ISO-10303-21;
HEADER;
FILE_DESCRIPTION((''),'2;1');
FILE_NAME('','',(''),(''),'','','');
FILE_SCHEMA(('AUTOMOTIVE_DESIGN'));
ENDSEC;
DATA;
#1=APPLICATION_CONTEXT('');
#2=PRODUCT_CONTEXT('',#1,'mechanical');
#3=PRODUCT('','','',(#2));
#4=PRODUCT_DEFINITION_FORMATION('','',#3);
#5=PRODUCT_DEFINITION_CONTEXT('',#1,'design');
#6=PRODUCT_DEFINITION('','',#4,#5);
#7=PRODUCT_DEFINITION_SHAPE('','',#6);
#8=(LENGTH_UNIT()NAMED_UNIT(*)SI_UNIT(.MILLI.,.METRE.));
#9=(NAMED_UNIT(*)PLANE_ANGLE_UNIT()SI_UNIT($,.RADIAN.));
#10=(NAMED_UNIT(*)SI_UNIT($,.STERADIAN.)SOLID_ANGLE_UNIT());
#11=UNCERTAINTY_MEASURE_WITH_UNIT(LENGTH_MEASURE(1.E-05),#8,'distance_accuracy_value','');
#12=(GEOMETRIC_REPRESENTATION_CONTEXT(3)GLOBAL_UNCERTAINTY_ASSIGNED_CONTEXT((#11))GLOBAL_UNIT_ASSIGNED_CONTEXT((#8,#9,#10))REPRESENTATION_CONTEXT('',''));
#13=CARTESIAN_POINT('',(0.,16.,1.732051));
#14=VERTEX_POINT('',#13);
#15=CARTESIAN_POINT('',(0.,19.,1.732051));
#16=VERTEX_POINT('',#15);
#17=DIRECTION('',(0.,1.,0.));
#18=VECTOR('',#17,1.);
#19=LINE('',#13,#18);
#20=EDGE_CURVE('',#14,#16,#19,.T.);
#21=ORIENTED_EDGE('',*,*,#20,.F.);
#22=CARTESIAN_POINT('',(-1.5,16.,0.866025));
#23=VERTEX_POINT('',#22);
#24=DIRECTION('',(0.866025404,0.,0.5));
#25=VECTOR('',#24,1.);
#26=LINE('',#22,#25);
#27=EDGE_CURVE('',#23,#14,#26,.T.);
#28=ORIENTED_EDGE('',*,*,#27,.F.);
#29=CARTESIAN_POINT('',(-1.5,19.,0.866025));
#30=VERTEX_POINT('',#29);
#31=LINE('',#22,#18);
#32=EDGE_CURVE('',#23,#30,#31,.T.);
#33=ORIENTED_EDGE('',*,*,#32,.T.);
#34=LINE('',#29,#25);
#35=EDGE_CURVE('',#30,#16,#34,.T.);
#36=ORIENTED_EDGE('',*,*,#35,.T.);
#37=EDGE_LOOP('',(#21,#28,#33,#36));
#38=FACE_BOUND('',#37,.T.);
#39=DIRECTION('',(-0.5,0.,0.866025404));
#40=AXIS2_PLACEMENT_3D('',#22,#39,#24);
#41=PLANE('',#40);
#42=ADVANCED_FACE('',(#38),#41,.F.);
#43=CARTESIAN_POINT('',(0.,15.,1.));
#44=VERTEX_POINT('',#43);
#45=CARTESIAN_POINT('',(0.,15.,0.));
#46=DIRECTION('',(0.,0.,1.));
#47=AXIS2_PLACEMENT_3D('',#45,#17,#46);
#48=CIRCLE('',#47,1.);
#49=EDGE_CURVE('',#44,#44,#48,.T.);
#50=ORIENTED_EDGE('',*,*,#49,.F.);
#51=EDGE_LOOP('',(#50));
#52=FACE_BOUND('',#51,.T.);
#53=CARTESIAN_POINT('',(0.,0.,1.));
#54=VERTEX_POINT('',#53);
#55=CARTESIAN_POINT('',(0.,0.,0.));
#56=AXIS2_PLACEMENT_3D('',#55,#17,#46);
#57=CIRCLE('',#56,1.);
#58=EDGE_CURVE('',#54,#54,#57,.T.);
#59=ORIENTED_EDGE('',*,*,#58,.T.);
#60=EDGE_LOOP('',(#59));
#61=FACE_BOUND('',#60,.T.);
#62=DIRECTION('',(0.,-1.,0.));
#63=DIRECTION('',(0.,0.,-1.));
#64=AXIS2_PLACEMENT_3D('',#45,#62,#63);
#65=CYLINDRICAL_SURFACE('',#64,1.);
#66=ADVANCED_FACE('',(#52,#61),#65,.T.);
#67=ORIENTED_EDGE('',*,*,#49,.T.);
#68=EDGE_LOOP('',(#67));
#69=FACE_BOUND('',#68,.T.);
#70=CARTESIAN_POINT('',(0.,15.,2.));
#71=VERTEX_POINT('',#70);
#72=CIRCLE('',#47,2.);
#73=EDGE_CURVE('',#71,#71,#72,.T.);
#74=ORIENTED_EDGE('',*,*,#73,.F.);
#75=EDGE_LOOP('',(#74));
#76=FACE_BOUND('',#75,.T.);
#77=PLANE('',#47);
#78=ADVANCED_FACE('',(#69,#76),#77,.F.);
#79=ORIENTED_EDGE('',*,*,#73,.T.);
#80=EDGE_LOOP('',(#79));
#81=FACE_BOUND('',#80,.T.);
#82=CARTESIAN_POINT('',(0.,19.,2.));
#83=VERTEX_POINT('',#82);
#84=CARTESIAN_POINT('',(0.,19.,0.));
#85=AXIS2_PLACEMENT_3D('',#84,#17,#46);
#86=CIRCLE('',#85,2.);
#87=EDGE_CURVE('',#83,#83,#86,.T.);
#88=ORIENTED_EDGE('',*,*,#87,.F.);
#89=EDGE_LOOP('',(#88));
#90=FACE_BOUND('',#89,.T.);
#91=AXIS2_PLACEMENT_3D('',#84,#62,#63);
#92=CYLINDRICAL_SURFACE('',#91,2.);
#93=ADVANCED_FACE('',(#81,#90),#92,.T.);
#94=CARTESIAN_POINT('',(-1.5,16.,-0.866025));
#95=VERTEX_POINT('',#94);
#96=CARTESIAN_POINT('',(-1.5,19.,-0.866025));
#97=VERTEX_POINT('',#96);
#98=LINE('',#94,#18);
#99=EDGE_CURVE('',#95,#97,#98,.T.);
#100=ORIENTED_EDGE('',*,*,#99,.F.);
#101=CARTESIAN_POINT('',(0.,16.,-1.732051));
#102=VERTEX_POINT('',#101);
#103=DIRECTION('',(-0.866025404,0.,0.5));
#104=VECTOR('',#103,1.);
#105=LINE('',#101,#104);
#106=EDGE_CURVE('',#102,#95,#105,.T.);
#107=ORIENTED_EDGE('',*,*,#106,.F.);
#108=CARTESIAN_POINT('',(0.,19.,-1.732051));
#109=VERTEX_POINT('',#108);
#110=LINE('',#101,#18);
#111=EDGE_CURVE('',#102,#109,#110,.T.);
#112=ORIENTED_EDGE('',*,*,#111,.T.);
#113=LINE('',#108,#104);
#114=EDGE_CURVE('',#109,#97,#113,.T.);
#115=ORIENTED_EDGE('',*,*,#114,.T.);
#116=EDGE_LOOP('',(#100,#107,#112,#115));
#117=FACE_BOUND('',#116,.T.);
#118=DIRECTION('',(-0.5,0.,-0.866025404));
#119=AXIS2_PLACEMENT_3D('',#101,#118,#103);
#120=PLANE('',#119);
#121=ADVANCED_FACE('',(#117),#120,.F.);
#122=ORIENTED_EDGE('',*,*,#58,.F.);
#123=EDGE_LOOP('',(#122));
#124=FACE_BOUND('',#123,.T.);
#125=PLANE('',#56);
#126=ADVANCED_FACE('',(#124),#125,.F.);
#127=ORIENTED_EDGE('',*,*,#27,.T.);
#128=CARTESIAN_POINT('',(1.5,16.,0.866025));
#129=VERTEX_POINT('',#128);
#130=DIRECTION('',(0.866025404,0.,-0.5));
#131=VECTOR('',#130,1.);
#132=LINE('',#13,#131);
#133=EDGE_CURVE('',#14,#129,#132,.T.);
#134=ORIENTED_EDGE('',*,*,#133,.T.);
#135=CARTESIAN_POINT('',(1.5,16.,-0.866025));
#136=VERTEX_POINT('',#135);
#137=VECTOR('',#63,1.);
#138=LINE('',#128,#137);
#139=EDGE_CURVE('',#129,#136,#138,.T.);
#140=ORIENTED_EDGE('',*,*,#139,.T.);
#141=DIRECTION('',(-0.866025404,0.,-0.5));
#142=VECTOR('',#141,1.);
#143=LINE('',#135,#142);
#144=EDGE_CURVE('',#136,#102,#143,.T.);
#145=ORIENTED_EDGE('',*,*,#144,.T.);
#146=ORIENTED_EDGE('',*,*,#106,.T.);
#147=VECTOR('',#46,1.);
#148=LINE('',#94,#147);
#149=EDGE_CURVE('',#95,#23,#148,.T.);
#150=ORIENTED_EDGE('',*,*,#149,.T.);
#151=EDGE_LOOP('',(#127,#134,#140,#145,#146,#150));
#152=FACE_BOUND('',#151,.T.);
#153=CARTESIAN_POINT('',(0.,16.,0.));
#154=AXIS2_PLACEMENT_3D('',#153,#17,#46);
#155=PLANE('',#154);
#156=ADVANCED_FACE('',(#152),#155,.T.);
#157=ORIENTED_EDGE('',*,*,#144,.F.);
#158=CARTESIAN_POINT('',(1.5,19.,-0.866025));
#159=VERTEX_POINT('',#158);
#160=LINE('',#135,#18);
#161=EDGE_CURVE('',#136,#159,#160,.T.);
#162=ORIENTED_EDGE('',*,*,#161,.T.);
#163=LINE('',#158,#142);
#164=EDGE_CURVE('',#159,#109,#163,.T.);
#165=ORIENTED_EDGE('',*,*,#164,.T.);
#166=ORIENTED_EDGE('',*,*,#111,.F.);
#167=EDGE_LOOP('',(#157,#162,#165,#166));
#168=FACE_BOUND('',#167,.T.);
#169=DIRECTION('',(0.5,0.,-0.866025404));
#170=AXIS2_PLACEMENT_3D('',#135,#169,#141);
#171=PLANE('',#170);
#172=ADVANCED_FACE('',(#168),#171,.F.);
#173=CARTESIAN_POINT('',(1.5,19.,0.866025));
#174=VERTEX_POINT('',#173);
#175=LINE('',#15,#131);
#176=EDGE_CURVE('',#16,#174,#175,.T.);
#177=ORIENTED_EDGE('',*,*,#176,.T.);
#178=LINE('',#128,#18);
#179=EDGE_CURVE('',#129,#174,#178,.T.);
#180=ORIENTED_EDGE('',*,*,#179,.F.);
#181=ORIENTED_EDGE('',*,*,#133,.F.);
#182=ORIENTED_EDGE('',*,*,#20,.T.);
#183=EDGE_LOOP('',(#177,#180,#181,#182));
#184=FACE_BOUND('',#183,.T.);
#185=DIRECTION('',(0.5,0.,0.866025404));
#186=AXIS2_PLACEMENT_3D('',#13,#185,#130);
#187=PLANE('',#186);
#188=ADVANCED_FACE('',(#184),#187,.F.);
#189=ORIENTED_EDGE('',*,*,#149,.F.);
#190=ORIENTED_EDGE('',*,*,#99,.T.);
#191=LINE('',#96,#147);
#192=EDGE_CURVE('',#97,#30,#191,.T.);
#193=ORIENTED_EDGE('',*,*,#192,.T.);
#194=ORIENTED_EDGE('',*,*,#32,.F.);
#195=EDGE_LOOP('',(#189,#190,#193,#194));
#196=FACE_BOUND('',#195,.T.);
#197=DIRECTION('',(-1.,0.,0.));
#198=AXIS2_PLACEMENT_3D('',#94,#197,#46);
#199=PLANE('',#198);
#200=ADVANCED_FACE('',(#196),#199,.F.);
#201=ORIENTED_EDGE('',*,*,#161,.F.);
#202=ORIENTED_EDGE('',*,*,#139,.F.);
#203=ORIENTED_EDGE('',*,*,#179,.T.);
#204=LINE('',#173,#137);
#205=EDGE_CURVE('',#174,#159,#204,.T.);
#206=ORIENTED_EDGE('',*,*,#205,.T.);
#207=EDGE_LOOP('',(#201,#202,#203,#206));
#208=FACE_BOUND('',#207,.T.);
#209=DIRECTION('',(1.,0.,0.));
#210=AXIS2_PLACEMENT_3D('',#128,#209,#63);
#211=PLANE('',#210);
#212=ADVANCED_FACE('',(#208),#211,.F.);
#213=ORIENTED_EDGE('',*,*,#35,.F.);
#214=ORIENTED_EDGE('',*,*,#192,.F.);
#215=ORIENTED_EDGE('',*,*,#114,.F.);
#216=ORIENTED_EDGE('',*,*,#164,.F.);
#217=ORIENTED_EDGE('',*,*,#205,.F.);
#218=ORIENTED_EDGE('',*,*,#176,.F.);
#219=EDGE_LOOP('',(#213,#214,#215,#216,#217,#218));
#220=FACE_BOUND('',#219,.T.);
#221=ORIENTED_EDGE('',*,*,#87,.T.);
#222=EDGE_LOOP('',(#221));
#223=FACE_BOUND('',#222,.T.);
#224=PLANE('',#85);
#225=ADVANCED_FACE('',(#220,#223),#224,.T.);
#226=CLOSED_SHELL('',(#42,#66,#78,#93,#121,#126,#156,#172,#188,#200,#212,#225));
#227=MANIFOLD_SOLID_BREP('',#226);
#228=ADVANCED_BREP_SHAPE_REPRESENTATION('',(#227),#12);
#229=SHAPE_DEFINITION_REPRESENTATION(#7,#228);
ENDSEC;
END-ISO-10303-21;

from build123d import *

# Parameters (mm, degrees)
ESQUISSE1_R             = 1
BOSS_EXTRU_1_DEPTH      = 15
ESQUISSE2_R             = 2
BOSS_EXTRU_2_DEPTH      = 4
ENL_V_MAT_EXTRU_1_DEPTH = 3


with BuildPart() as part:
    # Esquisse1 → Boss.-Extru.1 (new body)
    with BuildSketch(Plane(origin=(0, 0, 0), x_dir=(1, 0, 0), z_dir=(0, 1, 0))):
        with Locations(Location((0, 0, 0), (0, 0, 270))):
            Circle(ESQUISSE1_R)
    extrude(amount=BOSS_EXTRU_1_DEPTH)

    # Esquisse2 → Boss.-Extru.2 (add)
    with BuildSketch(Plane(origin=(0, 15, 0), x_dir=(1, 0, 0), z_dir=(0, 1, 0))):
        with Locations(Location((0, 0, 0), (0, 0, 270))):
            Circle(ESQUISSE2_R)
    extrude(amount=BOSS_EXTRU_2_DEPTH)

    # Esquisse3 → Enlèv. mat.-Extru.1 (cut)
    with BuildSketch(Plane(origin=(0, 19, 0), x_dir=(1, 0, 0), z_dir=(0, 1, 0))):
        Polygon((0, 1.732050808), (-1.5, 0.866025404), (-1.5, -0.866025404), (0, -1.732050808), (1.5, -0.866025404), (1.5, 0.866025404), align=None)
    extrude(amount=-ENL_V_MAT_EXTRU_1_DEPTH, mode=Mode.SUBTRACT)


solid = part.part
